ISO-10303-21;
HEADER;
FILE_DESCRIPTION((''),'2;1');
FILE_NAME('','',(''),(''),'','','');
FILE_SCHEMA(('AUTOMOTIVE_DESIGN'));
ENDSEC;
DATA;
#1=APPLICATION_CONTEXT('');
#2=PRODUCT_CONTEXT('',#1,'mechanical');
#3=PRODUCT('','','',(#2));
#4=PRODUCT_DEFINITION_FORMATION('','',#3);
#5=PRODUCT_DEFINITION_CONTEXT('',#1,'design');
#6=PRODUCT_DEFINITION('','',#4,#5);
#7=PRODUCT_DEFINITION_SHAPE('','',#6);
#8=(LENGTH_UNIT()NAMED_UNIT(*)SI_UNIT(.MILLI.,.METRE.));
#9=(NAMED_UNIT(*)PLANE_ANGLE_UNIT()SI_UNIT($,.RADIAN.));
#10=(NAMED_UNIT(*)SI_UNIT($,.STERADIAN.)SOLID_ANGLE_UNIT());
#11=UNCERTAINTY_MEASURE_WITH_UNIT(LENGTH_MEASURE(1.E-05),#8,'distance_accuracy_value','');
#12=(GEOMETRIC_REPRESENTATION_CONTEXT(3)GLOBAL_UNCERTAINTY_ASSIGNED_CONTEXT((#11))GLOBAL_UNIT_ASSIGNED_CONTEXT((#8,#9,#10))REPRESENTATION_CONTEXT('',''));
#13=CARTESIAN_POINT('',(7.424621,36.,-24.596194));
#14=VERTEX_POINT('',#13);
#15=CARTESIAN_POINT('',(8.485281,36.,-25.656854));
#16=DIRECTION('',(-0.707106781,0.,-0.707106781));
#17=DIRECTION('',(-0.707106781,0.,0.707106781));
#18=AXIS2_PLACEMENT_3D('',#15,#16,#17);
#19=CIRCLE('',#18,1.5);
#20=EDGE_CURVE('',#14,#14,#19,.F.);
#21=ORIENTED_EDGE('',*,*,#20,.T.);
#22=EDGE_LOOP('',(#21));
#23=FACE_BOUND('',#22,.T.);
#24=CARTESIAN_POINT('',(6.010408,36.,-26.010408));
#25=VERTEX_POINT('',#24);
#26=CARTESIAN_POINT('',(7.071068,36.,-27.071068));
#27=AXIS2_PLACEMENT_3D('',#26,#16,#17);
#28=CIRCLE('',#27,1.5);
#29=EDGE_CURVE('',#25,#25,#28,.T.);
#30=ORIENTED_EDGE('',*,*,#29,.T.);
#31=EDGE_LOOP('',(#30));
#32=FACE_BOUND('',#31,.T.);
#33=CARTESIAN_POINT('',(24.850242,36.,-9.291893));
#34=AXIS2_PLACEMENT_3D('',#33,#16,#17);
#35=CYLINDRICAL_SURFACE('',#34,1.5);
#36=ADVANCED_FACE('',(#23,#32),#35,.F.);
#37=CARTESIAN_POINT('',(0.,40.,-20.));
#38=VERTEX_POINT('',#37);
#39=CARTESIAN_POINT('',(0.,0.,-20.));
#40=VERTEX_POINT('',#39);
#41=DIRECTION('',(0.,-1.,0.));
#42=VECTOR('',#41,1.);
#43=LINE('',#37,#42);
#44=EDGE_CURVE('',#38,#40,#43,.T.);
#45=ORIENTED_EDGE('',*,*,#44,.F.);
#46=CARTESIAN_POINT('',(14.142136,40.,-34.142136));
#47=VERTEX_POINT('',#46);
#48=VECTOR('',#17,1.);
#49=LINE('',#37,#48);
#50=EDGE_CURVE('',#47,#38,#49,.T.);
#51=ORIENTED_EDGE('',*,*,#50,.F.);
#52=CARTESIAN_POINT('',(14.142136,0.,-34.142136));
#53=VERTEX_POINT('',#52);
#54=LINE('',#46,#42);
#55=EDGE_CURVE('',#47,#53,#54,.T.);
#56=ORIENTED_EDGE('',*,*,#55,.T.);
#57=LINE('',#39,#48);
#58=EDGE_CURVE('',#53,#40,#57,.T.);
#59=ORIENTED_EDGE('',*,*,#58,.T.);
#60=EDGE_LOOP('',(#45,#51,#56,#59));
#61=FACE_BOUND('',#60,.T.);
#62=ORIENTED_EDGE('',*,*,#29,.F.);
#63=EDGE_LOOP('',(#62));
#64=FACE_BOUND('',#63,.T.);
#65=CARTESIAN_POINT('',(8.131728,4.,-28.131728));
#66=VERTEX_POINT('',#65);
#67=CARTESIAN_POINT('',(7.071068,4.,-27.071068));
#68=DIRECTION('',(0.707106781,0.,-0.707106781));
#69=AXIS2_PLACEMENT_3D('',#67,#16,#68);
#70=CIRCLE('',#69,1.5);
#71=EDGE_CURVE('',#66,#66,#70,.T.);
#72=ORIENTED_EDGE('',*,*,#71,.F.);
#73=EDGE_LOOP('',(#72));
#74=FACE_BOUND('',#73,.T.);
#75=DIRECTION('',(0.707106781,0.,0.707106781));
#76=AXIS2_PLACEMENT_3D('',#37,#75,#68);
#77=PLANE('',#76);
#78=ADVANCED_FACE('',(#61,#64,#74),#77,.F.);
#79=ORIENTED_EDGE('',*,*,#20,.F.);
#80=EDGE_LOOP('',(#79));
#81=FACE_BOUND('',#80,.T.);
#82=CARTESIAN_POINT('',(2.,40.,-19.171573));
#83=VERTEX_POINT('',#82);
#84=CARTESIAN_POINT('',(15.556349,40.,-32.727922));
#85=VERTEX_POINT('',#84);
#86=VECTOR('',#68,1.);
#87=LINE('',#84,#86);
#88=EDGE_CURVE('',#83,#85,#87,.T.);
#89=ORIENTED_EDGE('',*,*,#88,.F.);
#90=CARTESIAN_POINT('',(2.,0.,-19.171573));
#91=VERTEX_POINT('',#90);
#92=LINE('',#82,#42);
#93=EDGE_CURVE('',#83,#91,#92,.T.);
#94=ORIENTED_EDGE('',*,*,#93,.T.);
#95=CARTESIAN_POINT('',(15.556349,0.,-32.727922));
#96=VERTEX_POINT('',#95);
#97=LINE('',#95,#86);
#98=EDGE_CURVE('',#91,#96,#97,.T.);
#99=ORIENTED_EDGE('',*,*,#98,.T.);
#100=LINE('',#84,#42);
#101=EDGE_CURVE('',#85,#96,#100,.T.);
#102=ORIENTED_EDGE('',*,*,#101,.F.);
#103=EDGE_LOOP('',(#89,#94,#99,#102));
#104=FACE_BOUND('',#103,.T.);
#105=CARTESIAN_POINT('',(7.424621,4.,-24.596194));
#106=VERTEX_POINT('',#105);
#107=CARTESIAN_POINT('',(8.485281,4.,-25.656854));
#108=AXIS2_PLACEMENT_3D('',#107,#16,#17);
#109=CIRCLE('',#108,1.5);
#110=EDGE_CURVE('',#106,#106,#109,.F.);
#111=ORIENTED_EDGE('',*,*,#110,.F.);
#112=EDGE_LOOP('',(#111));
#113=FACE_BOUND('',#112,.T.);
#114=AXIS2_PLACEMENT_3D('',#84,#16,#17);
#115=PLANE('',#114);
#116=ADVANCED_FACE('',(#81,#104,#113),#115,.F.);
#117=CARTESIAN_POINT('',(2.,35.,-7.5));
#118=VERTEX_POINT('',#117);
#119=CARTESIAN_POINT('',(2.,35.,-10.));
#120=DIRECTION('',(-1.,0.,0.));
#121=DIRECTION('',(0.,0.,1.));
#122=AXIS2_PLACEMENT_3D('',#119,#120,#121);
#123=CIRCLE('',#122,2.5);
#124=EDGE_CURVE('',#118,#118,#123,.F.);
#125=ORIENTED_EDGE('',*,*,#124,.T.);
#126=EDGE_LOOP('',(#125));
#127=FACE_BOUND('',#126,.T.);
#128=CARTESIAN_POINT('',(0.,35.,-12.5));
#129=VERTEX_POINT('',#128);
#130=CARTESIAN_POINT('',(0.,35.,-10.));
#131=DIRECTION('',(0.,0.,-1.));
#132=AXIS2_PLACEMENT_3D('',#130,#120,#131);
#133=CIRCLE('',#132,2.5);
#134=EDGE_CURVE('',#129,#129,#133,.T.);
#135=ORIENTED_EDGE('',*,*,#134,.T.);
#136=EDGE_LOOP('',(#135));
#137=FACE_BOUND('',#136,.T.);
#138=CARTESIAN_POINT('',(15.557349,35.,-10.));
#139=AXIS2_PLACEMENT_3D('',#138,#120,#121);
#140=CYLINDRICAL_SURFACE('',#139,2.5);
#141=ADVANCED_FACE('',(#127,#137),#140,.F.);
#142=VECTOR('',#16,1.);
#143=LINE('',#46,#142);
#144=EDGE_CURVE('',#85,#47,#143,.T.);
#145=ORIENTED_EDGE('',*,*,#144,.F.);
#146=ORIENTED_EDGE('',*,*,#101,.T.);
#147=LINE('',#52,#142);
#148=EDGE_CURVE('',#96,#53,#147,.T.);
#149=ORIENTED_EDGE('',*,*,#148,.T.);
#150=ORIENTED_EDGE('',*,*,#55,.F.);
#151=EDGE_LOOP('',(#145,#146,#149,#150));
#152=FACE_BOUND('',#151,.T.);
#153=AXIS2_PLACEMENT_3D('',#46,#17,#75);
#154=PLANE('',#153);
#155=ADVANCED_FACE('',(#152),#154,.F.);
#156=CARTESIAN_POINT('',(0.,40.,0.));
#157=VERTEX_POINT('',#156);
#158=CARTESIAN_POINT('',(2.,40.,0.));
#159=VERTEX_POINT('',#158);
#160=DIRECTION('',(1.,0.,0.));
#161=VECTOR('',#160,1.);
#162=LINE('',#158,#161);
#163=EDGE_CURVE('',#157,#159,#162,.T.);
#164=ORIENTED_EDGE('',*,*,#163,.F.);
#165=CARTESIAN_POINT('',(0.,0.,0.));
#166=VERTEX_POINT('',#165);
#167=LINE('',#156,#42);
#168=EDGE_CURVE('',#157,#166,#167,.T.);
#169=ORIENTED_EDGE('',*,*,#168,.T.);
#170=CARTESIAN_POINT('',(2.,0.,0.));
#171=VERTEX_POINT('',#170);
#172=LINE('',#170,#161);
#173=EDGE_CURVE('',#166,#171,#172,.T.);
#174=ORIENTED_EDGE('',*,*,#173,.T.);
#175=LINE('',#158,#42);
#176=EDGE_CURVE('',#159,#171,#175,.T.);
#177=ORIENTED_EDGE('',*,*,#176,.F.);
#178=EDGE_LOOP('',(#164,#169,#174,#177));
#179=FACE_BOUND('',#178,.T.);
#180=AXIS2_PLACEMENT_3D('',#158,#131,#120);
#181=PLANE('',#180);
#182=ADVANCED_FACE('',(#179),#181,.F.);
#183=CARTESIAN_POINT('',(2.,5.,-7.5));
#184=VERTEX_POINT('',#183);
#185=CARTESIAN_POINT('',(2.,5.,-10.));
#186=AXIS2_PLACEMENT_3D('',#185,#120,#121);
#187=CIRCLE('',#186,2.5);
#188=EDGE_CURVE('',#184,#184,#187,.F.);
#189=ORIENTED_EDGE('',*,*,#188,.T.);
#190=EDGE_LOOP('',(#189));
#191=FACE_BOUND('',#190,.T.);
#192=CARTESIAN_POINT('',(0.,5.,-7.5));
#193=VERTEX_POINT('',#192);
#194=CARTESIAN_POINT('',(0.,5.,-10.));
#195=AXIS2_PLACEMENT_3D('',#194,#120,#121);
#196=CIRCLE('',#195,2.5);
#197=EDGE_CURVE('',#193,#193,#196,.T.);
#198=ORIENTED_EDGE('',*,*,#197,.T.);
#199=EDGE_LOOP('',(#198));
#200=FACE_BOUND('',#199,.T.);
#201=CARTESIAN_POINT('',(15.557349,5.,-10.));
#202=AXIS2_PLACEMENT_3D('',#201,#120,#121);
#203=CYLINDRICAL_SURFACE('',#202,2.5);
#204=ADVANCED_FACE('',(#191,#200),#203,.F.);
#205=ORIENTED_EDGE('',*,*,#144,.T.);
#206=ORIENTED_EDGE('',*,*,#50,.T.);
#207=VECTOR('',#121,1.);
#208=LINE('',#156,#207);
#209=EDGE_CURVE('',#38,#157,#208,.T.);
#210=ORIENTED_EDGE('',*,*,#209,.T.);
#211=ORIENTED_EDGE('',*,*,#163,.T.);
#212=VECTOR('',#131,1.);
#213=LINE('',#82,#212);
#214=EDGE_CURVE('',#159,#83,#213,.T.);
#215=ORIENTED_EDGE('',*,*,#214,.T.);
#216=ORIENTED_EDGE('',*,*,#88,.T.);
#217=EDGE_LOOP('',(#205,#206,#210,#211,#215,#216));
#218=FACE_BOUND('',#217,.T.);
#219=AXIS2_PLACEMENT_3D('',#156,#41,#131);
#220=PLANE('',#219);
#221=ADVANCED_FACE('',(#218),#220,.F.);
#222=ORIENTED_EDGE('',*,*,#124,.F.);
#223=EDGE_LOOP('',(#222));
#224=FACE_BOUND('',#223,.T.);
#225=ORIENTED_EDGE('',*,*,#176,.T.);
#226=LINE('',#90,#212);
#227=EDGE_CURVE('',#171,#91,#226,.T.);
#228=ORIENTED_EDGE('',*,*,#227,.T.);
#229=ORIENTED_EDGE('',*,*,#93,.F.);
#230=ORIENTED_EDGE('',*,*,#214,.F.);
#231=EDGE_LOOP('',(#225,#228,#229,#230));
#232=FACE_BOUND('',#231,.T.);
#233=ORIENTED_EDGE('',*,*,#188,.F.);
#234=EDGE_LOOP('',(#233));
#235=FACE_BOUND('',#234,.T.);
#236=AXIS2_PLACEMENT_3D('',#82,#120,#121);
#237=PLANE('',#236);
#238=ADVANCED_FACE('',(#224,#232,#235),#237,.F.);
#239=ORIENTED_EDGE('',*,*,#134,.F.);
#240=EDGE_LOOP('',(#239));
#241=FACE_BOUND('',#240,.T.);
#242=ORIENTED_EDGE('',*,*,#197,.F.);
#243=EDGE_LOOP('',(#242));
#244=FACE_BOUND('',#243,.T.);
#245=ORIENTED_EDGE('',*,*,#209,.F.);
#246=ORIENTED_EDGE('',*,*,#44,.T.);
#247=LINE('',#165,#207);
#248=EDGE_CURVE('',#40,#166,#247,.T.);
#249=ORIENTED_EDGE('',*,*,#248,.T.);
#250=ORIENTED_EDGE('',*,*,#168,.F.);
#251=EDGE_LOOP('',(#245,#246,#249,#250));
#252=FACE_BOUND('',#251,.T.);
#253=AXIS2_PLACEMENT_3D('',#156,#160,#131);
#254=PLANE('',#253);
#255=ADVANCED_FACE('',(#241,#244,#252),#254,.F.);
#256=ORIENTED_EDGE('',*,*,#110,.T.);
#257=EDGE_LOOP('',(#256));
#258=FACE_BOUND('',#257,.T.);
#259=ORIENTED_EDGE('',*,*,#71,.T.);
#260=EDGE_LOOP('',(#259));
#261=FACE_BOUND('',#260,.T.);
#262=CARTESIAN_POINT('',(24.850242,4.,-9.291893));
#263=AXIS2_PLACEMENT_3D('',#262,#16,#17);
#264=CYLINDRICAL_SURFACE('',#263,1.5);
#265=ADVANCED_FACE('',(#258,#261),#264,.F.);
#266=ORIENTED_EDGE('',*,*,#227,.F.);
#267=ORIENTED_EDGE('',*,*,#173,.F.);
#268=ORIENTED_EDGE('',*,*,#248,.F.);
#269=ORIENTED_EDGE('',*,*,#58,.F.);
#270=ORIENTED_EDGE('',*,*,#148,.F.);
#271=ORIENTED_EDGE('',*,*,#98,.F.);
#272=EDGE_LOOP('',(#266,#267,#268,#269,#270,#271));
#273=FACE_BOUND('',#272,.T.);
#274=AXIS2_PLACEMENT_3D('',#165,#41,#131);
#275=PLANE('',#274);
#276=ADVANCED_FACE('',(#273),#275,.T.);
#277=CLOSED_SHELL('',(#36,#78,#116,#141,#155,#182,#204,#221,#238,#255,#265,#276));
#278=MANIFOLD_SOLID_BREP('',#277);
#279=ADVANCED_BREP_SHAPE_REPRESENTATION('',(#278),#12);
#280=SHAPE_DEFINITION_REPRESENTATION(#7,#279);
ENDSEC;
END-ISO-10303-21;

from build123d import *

# Parameters (mm, degrees)
EXTRUSION1_DEPTH = 40
EXTRUSION2_REACH = 17.556
ESQUISSE3_R      = 2.5
EXTRUSION3_REACH = 27.142
ESQUISSE4_R      = 1.5


with BuildPart() as part:
    # Esquisse1 → Extrusion1 (new body)
    with BuildSketch(Plane(origin=(0, 0, 0), x_dir=(1, 0, 0), z_dir=(0, 1, 0))):
        Polygon((0, 0), (0, 20), (14.142135624, 34.142135624), (15.556349186, 32.727922061), (2, 19.171572875), (2, 0), align=None)
    extrude(amount=EXTRUSION1_DEPTH)

    # Esquisse3 → Extrusion2 (cut, up to next)
    with BuildSketch(Plane.ZY, mode=Mode.PRIVATE) as extrusion2_sk1:
        with Locations((-10, 5)):
            Circle(ESQUISSE3_R)
    extrusion2_tool1 = extrude(extrusion2_sk1.sketch, amount=-EXTRUSION2_REACH, mode=Mode.PRIVATE) & part.part
    add(extrusion2_tool1.solids().sort_by_distance((0, 5, -10))[0], mode=Mode.SUBTRACT)
    # Esquisse3 → Extrusion2 (cut, up to next)
    with BuildSketch(Plane.ZY, mode=Mode.PRIVATE) as extrusion2_sk2:
        with Locations((-10, 35)):
            Circle(ESQUISSE3_R)
    extrusion2_tool2 = extrude(extrusion2_sk2.sketch, amount=-EXTRUSION2_REACH, mode=Mode.PRIVATE) & part.part
    add(extrusion2_tool2.solids().sort_by_distance((0, 35, -10))[0], mode=Mode.SUBTRACT)

    # Esquisse4 → Extrusion3 (cut, up to next)
    with BuildSketch(Plane(origin=(-10, 0, -10), x_dir=(-0.707106781, 0, 0.707106781), z_dir=(-0.707106781, 0, -0.707106781)), mode=Mode.PRIVATE) as extrusion3_sk1:
        with Locations((-24.142135624, 36)):
            Circle(ESQUISSE4_R)
    extrusion3_tool1 = extrude(extrusion3_sk1.sketch, amount=-EXTRUSION3_REACH, mode=Mode.PRIVATE) & part.part
    add(extrusion3_tool1.solids().sort_by_distance((7.071068, 36, -27.071068))[0], mode=Mode.SUBTRACT)
    # Esquisse4 → Extrusion3 (cut, up to next)
    with BuildSketch(Plane(origin=(-10, 0, -10), x_dir=(-0.707106781, 0, 0.707106781), z_dir=(-0.707106781, 0, -0.707106781)), mode=Mode.PRIVATE) as extrusion3_sk2:
        with Locations((-24.142135624, 4)):
            Circle(ESQUISSE4_R)
    extrusion3_tool2 = extrude(extrusion3_sk2.sketch, amount=-EXTRUSION3_REACH, mode=Mode.PRIVATE) & part.part
    add(extrusion3_tool2.solids().sort_by_distance((7.071068, 4, -27.071068))[0], mode=Mode.SUBTRACT)


solid = part.part
